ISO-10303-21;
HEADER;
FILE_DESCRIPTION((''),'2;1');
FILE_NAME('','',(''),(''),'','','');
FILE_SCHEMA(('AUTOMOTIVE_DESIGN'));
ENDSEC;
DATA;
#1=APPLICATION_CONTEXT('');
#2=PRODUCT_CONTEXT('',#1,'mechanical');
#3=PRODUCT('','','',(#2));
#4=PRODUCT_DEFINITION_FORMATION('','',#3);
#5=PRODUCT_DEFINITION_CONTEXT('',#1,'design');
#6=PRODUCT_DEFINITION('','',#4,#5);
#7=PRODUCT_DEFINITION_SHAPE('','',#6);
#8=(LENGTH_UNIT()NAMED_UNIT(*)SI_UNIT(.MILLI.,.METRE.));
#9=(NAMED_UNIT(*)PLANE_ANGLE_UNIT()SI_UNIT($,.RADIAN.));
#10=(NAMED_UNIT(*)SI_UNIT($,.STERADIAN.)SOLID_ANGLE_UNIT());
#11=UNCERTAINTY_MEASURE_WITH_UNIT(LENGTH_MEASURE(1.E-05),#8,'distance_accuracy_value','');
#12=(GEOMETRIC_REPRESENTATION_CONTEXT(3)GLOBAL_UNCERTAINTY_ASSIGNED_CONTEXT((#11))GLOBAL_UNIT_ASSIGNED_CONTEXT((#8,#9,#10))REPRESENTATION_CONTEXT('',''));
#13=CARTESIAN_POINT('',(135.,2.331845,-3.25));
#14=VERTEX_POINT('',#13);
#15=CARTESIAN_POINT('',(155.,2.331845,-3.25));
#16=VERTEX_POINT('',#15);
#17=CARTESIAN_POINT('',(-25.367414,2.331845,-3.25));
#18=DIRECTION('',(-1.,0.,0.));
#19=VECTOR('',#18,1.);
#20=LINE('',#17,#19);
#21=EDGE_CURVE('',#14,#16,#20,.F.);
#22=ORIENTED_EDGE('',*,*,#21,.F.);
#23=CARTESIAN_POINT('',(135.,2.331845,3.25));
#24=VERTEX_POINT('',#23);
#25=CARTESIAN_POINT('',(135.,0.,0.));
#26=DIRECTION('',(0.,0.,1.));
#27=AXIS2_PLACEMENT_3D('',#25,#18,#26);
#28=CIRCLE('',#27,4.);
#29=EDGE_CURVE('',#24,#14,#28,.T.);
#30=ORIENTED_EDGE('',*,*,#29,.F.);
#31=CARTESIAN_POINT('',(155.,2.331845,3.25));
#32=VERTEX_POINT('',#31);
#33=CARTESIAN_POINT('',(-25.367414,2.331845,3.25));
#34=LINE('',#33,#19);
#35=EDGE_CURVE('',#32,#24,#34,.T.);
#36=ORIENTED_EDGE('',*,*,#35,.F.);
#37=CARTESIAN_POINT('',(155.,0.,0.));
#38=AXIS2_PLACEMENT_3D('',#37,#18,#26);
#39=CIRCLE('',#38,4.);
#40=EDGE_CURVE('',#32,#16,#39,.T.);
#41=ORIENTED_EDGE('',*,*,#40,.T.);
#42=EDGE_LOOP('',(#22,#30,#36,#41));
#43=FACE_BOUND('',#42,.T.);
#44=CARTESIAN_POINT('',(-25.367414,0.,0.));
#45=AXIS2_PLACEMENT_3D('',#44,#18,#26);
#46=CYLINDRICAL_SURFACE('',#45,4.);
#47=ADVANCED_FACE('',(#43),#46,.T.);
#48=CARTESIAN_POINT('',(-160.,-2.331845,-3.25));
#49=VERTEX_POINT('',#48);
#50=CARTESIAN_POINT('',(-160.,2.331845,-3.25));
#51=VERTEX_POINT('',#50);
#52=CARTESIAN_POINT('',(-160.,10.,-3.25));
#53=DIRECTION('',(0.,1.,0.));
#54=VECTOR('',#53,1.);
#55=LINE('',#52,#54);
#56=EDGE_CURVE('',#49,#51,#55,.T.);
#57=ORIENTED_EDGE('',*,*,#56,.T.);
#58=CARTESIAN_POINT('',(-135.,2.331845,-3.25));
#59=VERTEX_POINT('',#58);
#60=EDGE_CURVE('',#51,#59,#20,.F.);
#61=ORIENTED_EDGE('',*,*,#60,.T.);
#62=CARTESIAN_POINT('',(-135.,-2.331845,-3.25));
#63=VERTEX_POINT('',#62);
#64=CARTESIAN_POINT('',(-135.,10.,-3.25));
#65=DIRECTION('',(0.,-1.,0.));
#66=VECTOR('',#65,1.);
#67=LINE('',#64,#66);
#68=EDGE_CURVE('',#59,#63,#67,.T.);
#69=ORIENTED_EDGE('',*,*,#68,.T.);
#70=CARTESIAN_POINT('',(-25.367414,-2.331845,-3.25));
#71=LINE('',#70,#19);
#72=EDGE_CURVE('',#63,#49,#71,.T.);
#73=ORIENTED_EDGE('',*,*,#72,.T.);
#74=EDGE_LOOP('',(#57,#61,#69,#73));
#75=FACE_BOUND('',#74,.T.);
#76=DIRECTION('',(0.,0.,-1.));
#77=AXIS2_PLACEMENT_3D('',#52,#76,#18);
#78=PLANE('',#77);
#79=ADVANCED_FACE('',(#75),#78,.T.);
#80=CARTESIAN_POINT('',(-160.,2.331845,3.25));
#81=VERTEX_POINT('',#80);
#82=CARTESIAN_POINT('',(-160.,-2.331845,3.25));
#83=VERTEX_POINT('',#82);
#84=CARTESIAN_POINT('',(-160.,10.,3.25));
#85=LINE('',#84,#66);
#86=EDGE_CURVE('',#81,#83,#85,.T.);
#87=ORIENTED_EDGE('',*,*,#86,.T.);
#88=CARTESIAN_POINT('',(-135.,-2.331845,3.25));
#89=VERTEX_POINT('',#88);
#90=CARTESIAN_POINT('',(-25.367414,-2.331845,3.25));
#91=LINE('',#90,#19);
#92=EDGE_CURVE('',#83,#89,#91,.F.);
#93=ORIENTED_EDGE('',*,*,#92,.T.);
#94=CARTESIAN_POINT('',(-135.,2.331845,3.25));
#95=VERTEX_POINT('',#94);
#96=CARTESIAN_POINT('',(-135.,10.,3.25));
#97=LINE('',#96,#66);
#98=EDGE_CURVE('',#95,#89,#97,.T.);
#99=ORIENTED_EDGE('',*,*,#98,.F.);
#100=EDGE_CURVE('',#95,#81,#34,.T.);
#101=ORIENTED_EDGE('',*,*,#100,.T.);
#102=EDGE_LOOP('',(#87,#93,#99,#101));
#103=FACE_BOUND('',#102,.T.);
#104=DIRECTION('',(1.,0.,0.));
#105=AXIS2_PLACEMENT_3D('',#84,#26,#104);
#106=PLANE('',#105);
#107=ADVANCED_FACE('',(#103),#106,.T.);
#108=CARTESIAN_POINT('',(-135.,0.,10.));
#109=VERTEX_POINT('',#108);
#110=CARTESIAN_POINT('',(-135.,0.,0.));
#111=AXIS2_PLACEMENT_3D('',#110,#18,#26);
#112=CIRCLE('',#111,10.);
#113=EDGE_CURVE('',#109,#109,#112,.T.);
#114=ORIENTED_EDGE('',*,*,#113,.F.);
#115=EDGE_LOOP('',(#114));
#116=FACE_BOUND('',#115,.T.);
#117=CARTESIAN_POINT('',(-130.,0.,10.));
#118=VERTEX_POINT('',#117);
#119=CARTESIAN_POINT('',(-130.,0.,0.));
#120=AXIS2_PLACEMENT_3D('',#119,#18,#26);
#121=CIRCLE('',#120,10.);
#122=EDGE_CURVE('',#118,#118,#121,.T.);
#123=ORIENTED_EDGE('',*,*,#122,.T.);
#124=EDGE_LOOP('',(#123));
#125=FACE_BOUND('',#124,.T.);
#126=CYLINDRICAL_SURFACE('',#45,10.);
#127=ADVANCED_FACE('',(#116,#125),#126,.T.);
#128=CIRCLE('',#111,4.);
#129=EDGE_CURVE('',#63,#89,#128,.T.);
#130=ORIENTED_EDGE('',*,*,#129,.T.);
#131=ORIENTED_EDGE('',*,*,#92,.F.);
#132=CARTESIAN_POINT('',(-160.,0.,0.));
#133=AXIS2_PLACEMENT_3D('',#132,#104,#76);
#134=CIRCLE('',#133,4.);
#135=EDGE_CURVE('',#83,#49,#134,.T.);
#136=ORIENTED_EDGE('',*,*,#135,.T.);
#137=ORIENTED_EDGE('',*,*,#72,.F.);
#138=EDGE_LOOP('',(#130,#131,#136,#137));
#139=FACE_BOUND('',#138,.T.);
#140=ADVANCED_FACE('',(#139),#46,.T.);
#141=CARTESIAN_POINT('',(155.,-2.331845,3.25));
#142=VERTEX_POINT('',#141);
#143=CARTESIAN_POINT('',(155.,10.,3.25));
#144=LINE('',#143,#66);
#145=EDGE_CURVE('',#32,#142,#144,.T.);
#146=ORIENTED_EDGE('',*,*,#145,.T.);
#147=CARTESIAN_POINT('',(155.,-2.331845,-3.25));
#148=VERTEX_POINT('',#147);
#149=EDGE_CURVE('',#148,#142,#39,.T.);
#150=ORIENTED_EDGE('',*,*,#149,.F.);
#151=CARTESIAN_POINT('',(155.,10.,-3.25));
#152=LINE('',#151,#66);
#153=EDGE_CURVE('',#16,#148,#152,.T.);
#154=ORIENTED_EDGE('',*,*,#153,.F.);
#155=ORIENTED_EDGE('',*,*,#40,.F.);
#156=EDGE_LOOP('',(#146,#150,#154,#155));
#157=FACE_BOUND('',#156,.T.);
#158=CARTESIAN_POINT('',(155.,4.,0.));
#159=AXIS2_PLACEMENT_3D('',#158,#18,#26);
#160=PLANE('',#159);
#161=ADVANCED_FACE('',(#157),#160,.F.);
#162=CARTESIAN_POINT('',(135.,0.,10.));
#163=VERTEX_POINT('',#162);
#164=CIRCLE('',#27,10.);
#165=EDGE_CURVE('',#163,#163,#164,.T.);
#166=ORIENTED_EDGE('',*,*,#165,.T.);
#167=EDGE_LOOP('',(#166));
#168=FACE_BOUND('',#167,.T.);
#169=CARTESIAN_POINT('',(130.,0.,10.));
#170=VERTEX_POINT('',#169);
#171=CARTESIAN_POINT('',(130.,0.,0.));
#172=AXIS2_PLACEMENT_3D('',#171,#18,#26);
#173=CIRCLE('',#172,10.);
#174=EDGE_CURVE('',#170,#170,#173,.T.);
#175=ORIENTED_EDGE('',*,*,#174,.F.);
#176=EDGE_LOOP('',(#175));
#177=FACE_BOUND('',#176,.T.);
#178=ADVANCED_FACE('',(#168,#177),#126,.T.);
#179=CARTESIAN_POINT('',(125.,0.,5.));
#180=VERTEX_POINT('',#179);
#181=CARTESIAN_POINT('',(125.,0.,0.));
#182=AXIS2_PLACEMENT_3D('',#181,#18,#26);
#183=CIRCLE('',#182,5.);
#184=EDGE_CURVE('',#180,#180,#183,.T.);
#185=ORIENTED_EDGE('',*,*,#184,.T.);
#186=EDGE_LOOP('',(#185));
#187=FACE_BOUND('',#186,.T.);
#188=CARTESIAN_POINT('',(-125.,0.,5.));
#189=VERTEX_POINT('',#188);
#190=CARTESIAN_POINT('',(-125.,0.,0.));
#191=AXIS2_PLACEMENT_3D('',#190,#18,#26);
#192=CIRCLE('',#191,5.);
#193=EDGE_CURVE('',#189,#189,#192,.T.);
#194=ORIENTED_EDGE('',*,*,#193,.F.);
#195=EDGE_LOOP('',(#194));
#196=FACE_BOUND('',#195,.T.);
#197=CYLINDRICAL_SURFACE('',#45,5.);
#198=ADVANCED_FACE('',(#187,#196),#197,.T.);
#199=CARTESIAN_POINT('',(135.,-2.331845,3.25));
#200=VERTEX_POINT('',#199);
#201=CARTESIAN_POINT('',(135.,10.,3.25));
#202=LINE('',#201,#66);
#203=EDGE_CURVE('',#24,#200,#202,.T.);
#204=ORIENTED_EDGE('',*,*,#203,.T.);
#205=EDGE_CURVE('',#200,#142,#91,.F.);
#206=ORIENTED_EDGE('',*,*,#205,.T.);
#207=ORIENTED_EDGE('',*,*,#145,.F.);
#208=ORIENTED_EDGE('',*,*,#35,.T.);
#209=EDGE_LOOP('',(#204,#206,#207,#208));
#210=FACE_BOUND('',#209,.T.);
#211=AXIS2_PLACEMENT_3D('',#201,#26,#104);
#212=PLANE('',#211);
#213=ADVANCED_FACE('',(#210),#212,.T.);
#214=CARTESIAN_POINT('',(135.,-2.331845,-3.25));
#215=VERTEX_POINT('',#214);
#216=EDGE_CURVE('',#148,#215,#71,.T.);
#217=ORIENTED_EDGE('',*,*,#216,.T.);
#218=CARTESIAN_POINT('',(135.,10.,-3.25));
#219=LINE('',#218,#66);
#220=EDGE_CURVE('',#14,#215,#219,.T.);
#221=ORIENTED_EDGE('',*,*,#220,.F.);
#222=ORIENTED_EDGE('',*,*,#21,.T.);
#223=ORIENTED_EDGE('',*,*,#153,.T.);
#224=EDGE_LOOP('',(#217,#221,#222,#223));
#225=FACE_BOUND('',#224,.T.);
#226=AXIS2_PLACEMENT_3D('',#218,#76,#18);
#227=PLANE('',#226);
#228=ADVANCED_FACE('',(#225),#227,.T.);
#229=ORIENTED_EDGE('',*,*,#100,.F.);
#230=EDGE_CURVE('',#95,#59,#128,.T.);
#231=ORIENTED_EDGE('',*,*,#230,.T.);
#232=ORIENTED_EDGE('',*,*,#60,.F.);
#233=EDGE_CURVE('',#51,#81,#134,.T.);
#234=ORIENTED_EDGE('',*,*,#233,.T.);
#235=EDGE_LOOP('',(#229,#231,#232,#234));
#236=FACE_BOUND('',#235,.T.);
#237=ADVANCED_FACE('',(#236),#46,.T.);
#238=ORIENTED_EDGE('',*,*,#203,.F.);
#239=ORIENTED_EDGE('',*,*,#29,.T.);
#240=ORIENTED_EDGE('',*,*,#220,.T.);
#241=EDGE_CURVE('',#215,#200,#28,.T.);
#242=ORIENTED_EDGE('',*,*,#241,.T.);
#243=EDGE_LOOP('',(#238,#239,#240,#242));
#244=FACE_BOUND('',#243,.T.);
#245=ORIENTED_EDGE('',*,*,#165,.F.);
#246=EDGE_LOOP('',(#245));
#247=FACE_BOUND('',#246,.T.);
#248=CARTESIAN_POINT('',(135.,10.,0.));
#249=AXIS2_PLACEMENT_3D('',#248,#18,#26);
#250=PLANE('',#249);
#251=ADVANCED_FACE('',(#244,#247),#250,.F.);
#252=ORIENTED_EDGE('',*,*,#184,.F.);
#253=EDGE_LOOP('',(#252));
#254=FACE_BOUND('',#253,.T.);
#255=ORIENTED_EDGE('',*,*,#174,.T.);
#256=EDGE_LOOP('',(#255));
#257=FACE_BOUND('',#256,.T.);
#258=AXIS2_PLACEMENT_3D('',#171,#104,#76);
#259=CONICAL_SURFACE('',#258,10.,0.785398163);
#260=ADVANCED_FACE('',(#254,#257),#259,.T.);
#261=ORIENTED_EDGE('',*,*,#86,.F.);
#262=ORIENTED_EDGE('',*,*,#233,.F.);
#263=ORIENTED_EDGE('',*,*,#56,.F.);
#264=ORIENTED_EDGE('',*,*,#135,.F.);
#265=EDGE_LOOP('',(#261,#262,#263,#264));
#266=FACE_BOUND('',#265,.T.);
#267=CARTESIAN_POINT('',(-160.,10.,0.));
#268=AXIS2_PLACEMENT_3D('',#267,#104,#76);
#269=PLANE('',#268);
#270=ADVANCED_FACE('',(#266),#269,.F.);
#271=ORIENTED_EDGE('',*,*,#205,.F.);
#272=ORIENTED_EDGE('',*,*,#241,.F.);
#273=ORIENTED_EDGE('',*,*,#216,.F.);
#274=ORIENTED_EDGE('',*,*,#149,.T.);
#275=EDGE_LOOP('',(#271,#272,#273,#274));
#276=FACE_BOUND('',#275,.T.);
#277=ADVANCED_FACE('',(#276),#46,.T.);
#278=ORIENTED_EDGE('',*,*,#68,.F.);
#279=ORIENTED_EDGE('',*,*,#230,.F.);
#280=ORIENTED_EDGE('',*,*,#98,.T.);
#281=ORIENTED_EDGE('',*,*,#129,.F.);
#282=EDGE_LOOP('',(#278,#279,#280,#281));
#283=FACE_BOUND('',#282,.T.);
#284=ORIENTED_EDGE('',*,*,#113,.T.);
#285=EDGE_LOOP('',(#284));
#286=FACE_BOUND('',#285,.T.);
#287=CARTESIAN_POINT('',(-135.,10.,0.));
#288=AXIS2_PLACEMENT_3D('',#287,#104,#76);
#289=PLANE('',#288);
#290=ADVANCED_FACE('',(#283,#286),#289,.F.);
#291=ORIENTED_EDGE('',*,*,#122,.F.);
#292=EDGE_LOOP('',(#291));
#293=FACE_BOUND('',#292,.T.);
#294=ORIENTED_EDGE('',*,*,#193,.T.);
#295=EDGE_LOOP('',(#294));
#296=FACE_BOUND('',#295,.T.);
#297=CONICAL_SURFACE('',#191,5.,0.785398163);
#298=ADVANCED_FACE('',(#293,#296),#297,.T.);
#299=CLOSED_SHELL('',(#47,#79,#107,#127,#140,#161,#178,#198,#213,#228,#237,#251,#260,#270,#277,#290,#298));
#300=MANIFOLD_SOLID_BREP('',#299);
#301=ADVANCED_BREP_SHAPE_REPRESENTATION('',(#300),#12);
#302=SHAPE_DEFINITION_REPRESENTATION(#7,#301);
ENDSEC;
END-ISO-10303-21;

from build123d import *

# Parameters (mm, degrees)
SKETCH3_R               = 4
BOSS_EXTRUDE3_DEPTH     = 5
SKETCH2_W               = 25
SKETCH2_H               = 0.75
SKETCH2_W_2             = 20
CUT_EXTRUDE1_DEPTH      = 11
CUT_EXTRUDE1_DEPTH_BACK = 11


with BuildPart() as part:
    # Sketch1 → Revolve3 (revolve)
    with BuildSketch(Plane.XY):
        Polygon((-125, 5), (125, 5), (130, 10), (135, 10), (135, 4), (155, 4), (155, 0), (-155, 0), (-155, 4), (-135, 4), (-135, 10), (-130, 10), align=None)
    revolve(axis=Axis((-25.367414289, 0, 0), (1, 0, 0)))

    # Sketch3 → Boss-Extrude3 (add)
    with BuildSketch(Plane.ZY.offset(155)):
        Circle(SKETCH3_R)
    extrude(amount=BOSS_EXTRUDE3_DEPTH)

    # Sketch2 → Cut-Extrude1 (cut, two sides)
    with BuildSketch(Plane(origin=(0, 0, 0), x_dir=(1, 0, 0), z_dir=(0, 1, 0))) as cut_extrude1_sk:
        with Locations((-147.5, 3.625)):
            Rectangle(SKETCH2_W, SKETCH2_H)
        with Locations((145, -3.625)):
            Rectangle(SKETCH2_W_2, SKETCH2_H)
        with Locations((145, 3.625)):
            Rectangle(SKETCH2_W_2, SKETCH2_H)
        with Locations((-147.5, -3.625)):
            Rectangle(SKETCH2_W, SKETCH2_H)
    extrude(amount=CUT_EXTRUDE1_DEPTH, mode=Mode.SUBTRACT)
    extrude(cut_extrude1_sk.sketch, amount=-CUT_EXTRUDE1_DEPTH_BACK, mode=Mode.SUBTRACT)


solid = part.part
